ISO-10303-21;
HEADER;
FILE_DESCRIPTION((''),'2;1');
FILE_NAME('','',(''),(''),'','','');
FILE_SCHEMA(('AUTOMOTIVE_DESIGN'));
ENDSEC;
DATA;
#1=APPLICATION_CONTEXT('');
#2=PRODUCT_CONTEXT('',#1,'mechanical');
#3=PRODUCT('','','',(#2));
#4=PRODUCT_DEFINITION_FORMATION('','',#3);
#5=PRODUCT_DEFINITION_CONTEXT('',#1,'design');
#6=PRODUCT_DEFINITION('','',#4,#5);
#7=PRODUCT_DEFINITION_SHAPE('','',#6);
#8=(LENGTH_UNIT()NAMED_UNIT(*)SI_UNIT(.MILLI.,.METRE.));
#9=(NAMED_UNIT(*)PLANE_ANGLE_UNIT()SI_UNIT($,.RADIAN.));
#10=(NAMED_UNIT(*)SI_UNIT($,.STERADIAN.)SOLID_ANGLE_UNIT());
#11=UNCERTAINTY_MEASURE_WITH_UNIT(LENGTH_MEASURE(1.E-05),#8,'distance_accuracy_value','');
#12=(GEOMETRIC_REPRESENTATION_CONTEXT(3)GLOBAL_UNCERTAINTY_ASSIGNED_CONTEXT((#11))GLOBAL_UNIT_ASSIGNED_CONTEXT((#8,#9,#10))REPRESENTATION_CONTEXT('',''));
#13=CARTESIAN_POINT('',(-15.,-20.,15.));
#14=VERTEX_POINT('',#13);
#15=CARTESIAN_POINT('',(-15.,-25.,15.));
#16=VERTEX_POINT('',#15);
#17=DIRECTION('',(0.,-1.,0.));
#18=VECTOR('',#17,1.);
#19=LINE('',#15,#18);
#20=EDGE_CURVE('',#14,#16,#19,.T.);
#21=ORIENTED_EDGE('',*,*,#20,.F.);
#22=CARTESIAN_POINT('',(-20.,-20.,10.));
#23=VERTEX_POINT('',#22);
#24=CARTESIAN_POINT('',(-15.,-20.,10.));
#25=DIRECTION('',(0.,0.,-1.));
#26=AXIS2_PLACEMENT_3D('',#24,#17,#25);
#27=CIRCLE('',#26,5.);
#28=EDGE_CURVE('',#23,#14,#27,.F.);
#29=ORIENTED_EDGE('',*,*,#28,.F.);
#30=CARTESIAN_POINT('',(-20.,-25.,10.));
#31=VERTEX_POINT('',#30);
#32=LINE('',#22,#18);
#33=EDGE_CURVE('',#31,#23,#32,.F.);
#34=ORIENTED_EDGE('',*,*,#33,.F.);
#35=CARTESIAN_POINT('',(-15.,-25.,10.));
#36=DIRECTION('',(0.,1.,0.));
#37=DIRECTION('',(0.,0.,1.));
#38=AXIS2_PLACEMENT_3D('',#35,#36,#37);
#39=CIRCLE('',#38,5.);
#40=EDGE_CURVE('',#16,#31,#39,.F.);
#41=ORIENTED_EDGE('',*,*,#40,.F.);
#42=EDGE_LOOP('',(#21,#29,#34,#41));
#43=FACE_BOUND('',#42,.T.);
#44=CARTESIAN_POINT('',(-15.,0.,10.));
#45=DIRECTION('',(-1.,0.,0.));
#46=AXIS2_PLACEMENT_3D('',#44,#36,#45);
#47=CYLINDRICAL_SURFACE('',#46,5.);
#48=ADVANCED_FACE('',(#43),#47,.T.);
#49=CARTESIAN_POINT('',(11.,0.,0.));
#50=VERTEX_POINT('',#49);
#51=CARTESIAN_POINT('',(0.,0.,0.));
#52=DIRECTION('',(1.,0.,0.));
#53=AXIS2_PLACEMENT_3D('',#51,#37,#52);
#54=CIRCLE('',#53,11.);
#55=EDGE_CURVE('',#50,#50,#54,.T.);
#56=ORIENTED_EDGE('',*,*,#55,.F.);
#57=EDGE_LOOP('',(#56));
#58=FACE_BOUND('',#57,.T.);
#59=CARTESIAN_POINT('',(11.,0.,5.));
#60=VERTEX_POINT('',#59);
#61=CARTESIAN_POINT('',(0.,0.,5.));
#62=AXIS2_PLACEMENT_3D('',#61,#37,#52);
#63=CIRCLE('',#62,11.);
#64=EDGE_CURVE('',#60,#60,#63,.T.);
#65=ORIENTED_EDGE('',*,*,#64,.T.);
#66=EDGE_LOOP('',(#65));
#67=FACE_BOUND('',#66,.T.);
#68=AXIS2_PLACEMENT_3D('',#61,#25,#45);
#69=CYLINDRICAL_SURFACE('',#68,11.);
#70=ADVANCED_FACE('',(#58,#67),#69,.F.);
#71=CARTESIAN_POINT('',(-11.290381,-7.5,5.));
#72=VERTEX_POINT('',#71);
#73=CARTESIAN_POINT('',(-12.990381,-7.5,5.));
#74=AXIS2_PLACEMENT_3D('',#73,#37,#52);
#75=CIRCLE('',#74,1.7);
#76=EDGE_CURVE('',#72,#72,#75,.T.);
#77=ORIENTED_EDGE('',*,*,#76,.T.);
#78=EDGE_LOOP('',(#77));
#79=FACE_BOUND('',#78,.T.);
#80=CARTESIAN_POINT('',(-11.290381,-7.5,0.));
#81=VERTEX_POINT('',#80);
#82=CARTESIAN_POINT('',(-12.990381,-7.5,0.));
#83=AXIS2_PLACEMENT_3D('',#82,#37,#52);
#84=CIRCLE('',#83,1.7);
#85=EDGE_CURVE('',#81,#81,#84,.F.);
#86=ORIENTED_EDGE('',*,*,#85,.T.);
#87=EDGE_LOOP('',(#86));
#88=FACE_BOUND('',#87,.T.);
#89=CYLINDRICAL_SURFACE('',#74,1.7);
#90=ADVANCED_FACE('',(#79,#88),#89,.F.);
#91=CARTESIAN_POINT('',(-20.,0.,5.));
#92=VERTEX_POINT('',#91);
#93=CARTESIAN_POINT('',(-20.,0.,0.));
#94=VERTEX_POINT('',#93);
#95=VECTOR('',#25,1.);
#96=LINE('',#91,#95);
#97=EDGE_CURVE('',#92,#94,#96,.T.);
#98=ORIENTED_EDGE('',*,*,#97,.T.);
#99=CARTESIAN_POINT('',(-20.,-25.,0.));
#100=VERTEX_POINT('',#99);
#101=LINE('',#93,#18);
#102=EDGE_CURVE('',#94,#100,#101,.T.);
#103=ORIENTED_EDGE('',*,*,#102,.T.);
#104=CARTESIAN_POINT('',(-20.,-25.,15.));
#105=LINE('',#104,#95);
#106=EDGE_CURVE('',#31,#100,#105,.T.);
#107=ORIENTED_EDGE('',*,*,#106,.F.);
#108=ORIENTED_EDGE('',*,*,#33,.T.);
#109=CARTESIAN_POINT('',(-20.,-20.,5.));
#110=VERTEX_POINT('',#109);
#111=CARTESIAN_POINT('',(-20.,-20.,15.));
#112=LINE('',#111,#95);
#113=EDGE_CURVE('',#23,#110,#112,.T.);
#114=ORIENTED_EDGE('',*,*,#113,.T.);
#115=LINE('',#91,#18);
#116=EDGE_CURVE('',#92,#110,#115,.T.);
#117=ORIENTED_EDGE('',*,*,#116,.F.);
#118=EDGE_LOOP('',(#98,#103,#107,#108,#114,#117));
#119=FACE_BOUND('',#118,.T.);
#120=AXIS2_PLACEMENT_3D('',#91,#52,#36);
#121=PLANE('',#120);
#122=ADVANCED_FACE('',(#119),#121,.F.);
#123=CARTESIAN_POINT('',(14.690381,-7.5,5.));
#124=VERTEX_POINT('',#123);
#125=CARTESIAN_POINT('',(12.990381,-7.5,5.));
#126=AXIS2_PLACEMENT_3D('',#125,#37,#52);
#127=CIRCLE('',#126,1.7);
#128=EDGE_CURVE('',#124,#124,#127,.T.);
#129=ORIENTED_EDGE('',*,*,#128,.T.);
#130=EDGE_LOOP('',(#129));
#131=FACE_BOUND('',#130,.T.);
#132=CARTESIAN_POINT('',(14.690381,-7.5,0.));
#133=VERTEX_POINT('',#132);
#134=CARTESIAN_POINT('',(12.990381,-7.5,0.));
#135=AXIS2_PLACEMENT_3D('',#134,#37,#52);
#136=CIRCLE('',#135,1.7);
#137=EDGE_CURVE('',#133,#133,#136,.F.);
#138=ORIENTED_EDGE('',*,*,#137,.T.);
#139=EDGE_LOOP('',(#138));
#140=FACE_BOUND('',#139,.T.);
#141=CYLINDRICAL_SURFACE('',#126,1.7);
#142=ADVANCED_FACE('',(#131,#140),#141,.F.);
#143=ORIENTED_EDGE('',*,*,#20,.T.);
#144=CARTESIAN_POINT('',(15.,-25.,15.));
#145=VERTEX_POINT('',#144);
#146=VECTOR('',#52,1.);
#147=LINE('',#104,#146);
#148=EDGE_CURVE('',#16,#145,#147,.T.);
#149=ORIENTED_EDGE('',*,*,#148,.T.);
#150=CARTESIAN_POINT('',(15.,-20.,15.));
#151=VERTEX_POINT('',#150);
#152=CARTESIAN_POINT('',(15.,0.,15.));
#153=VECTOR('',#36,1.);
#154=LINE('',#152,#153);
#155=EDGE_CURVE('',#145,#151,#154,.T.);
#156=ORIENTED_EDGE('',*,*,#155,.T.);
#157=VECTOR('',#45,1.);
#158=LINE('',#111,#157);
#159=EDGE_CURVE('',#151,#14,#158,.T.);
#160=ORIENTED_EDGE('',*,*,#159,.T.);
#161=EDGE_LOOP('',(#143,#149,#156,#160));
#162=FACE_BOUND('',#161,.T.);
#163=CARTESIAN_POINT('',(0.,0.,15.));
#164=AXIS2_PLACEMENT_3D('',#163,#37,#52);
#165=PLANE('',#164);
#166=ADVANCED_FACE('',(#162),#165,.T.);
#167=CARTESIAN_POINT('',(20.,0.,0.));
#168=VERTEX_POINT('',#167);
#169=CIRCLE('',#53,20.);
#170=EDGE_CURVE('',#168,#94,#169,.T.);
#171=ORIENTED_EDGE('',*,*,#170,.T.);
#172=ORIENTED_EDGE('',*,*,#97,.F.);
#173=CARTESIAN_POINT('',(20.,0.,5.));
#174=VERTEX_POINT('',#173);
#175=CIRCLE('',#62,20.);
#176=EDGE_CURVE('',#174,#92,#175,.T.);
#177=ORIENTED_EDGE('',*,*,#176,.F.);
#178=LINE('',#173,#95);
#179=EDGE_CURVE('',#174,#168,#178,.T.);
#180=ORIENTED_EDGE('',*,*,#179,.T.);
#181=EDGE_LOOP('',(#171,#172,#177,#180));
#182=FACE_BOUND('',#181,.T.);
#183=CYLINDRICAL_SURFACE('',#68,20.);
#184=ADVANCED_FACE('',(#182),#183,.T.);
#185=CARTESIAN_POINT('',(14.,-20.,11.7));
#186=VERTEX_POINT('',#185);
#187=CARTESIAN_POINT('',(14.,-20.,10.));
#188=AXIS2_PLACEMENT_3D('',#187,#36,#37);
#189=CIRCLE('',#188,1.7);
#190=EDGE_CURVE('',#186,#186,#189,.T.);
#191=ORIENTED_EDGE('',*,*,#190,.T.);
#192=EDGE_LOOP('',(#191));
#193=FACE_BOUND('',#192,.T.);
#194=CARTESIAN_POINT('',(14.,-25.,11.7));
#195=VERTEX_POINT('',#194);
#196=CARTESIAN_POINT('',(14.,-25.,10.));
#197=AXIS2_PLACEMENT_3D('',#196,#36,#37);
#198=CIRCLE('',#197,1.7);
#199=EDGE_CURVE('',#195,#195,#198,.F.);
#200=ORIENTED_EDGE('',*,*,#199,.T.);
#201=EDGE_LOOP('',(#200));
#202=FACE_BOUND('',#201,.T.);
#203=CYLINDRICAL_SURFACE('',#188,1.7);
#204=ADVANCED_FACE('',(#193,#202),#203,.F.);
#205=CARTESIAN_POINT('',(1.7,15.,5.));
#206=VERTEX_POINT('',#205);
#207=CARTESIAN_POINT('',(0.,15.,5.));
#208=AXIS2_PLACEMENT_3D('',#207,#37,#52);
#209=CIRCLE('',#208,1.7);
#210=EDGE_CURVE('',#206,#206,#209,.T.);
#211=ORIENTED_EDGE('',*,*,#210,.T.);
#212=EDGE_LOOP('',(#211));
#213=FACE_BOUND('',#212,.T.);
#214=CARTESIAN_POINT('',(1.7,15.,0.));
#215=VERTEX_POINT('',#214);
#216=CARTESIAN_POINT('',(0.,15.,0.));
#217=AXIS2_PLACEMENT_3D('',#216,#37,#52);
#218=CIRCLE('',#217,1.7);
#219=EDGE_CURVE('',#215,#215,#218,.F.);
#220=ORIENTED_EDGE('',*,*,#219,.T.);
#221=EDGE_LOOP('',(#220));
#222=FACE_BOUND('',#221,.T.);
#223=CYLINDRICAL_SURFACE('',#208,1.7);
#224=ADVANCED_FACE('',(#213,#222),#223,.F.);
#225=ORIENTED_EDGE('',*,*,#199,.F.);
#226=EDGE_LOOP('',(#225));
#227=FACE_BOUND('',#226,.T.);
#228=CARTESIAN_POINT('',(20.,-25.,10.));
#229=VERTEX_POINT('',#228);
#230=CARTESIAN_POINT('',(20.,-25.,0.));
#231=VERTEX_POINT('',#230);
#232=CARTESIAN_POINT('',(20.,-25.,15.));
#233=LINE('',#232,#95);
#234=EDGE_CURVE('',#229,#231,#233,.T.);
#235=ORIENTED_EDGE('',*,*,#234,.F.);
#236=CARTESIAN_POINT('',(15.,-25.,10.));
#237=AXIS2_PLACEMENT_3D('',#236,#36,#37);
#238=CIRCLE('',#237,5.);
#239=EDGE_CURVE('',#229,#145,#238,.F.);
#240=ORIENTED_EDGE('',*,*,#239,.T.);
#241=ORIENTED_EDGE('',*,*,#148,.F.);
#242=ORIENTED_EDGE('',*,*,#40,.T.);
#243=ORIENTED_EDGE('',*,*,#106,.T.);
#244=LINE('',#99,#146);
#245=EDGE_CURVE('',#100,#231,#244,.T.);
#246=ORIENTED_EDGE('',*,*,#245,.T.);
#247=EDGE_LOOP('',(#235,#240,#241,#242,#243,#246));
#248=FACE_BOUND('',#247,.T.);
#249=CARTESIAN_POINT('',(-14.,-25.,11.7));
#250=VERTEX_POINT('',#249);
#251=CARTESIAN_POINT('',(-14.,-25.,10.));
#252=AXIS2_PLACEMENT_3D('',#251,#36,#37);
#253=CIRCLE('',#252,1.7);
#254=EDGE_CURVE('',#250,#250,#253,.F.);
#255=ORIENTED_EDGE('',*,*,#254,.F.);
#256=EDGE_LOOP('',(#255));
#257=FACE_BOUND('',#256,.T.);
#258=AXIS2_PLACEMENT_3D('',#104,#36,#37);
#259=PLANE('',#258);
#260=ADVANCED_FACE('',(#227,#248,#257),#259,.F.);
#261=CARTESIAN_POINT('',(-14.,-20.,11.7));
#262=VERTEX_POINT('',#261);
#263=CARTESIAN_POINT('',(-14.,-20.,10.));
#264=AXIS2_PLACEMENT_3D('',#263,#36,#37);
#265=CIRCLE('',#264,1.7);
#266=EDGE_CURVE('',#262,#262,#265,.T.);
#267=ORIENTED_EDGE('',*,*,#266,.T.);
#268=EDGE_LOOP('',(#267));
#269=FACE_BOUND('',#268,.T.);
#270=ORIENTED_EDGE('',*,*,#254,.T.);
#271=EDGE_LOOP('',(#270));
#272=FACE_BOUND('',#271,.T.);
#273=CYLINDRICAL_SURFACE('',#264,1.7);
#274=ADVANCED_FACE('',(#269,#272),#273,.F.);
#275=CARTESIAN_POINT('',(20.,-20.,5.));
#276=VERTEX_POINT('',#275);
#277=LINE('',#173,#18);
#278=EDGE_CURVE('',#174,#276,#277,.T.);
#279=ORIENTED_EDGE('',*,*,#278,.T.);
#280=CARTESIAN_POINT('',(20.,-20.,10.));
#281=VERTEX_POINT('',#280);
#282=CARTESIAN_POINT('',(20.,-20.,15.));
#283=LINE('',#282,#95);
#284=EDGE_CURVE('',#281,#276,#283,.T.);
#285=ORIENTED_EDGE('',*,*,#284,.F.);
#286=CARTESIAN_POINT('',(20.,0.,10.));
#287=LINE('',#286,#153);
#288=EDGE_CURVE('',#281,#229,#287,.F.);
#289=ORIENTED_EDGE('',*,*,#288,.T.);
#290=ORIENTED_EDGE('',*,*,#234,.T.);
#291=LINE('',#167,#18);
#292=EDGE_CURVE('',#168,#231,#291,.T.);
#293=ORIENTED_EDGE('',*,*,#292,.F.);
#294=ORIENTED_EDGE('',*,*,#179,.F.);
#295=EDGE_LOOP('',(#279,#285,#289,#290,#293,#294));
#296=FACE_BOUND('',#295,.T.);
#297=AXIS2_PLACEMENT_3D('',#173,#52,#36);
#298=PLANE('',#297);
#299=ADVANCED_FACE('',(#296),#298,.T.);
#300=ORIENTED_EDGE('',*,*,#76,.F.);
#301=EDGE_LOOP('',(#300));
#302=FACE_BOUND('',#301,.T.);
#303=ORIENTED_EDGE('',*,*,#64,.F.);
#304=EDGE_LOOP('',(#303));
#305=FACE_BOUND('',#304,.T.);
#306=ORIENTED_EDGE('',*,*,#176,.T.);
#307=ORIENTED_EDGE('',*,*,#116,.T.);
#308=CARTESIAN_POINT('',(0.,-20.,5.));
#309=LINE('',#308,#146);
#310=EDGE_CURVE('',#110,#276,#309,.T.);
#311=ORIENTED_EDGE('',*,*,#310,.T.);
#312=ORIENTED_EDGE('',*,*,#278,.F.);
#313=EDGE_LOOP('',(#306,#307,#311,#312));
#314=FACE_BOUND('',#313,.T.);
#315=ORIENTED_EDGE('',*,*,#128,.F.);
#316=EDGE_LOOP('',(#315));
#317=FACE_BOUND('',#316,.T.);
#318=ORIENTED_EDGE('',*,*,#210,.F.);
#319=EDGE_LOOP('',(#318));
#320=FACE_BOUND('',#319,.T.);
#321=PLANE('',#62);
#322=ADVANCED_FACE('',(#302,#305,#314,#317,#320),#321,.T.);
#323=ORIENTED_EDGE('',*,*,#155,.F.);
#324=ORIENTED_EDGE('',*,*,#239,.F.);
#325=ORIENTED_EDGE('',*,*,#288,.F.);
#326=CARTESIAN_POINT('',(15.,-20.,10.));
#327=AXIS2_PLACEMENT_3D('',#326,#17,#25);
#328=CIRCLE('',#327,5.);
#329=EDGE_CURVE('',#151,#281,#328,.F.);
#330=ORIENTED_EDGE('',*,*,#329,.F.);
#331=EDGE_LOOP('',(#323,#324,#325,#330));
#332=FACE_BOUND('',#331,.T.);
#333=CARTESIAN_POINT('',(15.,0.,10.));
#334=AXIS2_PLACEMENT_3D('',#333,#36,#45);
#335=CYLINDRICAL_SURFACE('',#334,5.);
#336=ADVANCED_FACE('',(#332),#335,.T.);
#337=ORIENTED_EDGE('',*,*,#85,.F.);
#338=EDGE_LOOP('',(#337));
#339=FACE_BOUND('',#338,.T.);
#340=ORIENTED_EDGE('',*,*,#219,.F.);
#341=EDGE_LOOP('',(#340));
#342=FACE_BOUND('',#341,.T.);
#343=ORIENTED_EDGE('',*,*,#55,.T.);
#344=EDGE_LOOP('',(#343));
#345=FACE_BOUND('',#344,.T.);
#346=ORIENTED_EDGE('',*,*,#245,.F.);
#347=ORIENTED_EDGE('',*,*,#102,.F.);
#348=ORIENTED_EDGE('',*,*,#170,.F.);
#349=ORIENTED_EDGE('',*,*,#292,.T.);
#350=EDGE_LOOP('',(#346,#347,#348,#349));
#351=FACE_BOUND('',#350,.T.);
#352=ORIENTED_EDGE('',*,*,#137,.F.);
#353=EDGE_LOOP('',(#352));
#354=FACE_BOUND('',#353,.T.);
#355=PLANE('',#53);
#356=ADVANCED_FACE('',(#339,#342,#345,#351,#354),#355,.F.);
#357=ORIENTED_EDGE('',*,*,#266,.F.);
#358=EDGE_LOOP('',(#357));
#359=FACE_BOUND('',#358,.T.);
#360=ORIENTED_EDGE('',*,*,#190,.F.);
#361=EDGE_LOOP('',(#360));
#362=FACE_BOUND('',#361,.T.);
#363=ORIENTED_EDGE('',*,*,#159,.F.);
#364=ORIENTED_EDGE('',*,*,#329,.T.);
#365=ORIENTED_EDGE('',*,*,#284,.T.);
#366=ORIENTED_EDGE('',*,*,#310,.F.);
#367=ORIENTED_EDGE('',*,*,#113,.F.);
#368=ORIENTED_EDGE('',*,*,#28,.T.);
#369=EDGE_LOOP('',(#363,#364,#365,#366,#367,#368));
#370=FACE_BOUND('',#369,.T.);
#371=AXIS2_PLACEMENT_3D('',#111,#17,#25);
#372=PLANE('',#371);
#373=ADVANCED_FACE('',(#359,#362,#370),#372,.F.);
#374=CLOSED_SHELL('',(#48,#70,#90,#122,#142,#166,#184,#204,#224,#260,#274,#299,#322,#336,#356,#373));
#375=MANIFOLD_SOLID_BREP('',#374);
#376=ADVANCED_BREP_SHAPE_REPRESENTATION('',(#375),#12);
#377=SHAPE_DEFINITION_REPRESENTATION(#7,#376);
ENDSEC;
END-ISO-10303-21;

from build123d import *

# Parameters (mm, degrees)
SKETCH1_R            = 11
BOSS_EXTRUDE1_DEPTH  = 5
M3_CLEARANCE_HOLE1_D = 3.4
CIRPATTERN1_COUNT    = 3
SKETCH5_W            = 40
SKETCH5_H            = 5
BOSS_EXTRUDE2_DEPTH  = 15
M3_CLEARANCE_HOLE3_D = 3.4
FILLET1_R            = 5


with BuildPart() as part:
    # Sketch1 → Boss-Extrude1 (new body)
    with BuildSketch(Plane.XY):
        with BuildLine():
            Line((-20, -4.3e-08), (-20, -20))
            Line((-20, -20), (20, -20))
            Line((20, -20), (20, 0))
            ThreePointArc((20, 0), (-2.2e-08, 20), (-20, -4.3e-08))
        make_face()
        Circle(SKETCH1_R, mode=Mode.SUBTRACT)
    extrude(amount=BOSS_EXTRUDE1_DEPTH)

    # M3 Clearance Hole1 (through all)
    with Locations(Plane(origin=(0, 15, 5), x_dir=(1, 0, 0), z_dir=(0, 0, 1))):
        with Locations((0, 0)):
            m3_clearance_hole1 = Hole(M3_CLEARANCE_HOLE1_D / 2)

    # CirPattern1: M3 Clearance Hole1 ×3 about axis
    cirpattern1_axis = Axis((0, 0, 0), (0, 0, 1))
    for i in range(1, CIRPATTERN1_COUNT):
        add(m3_clearance_hole1.rotate(cirpattern1_axis, i * 360 / CIRPATTERN1_COUNT), mode=Mode.SUBTRACT)

    # Sketch5 → Boss-Extrude2 (add)
    with BuildSketch(Plane.XY):
        with Locations((0, -22.5)):
            Rectangle(SKETCH5_W, SKETCH5_H)
    extrude(amount=BOSS_EXTRUDE2_DEPTH)

    # M3 Clearance Hole3 (through all)
    with Locations(Plane(origin=(-14, -20, 10), x_dir=(0, 0, 1), z_dir=(0, 1, 0))):
        with Locations((0, 0), (0, 28)):
            Hole(M3_CLEARANCE_HOLE3_D / 2)

    # Fillet1
    fillet1_edges = [part.edges().sort_by_distance(p)[0] for p in [
        (-20, -22.5, 15),
        (20, -22.5, 15),
    ]]
    fillet(fillet1_edges, radius=FILLET1_R)


solid = part.part
